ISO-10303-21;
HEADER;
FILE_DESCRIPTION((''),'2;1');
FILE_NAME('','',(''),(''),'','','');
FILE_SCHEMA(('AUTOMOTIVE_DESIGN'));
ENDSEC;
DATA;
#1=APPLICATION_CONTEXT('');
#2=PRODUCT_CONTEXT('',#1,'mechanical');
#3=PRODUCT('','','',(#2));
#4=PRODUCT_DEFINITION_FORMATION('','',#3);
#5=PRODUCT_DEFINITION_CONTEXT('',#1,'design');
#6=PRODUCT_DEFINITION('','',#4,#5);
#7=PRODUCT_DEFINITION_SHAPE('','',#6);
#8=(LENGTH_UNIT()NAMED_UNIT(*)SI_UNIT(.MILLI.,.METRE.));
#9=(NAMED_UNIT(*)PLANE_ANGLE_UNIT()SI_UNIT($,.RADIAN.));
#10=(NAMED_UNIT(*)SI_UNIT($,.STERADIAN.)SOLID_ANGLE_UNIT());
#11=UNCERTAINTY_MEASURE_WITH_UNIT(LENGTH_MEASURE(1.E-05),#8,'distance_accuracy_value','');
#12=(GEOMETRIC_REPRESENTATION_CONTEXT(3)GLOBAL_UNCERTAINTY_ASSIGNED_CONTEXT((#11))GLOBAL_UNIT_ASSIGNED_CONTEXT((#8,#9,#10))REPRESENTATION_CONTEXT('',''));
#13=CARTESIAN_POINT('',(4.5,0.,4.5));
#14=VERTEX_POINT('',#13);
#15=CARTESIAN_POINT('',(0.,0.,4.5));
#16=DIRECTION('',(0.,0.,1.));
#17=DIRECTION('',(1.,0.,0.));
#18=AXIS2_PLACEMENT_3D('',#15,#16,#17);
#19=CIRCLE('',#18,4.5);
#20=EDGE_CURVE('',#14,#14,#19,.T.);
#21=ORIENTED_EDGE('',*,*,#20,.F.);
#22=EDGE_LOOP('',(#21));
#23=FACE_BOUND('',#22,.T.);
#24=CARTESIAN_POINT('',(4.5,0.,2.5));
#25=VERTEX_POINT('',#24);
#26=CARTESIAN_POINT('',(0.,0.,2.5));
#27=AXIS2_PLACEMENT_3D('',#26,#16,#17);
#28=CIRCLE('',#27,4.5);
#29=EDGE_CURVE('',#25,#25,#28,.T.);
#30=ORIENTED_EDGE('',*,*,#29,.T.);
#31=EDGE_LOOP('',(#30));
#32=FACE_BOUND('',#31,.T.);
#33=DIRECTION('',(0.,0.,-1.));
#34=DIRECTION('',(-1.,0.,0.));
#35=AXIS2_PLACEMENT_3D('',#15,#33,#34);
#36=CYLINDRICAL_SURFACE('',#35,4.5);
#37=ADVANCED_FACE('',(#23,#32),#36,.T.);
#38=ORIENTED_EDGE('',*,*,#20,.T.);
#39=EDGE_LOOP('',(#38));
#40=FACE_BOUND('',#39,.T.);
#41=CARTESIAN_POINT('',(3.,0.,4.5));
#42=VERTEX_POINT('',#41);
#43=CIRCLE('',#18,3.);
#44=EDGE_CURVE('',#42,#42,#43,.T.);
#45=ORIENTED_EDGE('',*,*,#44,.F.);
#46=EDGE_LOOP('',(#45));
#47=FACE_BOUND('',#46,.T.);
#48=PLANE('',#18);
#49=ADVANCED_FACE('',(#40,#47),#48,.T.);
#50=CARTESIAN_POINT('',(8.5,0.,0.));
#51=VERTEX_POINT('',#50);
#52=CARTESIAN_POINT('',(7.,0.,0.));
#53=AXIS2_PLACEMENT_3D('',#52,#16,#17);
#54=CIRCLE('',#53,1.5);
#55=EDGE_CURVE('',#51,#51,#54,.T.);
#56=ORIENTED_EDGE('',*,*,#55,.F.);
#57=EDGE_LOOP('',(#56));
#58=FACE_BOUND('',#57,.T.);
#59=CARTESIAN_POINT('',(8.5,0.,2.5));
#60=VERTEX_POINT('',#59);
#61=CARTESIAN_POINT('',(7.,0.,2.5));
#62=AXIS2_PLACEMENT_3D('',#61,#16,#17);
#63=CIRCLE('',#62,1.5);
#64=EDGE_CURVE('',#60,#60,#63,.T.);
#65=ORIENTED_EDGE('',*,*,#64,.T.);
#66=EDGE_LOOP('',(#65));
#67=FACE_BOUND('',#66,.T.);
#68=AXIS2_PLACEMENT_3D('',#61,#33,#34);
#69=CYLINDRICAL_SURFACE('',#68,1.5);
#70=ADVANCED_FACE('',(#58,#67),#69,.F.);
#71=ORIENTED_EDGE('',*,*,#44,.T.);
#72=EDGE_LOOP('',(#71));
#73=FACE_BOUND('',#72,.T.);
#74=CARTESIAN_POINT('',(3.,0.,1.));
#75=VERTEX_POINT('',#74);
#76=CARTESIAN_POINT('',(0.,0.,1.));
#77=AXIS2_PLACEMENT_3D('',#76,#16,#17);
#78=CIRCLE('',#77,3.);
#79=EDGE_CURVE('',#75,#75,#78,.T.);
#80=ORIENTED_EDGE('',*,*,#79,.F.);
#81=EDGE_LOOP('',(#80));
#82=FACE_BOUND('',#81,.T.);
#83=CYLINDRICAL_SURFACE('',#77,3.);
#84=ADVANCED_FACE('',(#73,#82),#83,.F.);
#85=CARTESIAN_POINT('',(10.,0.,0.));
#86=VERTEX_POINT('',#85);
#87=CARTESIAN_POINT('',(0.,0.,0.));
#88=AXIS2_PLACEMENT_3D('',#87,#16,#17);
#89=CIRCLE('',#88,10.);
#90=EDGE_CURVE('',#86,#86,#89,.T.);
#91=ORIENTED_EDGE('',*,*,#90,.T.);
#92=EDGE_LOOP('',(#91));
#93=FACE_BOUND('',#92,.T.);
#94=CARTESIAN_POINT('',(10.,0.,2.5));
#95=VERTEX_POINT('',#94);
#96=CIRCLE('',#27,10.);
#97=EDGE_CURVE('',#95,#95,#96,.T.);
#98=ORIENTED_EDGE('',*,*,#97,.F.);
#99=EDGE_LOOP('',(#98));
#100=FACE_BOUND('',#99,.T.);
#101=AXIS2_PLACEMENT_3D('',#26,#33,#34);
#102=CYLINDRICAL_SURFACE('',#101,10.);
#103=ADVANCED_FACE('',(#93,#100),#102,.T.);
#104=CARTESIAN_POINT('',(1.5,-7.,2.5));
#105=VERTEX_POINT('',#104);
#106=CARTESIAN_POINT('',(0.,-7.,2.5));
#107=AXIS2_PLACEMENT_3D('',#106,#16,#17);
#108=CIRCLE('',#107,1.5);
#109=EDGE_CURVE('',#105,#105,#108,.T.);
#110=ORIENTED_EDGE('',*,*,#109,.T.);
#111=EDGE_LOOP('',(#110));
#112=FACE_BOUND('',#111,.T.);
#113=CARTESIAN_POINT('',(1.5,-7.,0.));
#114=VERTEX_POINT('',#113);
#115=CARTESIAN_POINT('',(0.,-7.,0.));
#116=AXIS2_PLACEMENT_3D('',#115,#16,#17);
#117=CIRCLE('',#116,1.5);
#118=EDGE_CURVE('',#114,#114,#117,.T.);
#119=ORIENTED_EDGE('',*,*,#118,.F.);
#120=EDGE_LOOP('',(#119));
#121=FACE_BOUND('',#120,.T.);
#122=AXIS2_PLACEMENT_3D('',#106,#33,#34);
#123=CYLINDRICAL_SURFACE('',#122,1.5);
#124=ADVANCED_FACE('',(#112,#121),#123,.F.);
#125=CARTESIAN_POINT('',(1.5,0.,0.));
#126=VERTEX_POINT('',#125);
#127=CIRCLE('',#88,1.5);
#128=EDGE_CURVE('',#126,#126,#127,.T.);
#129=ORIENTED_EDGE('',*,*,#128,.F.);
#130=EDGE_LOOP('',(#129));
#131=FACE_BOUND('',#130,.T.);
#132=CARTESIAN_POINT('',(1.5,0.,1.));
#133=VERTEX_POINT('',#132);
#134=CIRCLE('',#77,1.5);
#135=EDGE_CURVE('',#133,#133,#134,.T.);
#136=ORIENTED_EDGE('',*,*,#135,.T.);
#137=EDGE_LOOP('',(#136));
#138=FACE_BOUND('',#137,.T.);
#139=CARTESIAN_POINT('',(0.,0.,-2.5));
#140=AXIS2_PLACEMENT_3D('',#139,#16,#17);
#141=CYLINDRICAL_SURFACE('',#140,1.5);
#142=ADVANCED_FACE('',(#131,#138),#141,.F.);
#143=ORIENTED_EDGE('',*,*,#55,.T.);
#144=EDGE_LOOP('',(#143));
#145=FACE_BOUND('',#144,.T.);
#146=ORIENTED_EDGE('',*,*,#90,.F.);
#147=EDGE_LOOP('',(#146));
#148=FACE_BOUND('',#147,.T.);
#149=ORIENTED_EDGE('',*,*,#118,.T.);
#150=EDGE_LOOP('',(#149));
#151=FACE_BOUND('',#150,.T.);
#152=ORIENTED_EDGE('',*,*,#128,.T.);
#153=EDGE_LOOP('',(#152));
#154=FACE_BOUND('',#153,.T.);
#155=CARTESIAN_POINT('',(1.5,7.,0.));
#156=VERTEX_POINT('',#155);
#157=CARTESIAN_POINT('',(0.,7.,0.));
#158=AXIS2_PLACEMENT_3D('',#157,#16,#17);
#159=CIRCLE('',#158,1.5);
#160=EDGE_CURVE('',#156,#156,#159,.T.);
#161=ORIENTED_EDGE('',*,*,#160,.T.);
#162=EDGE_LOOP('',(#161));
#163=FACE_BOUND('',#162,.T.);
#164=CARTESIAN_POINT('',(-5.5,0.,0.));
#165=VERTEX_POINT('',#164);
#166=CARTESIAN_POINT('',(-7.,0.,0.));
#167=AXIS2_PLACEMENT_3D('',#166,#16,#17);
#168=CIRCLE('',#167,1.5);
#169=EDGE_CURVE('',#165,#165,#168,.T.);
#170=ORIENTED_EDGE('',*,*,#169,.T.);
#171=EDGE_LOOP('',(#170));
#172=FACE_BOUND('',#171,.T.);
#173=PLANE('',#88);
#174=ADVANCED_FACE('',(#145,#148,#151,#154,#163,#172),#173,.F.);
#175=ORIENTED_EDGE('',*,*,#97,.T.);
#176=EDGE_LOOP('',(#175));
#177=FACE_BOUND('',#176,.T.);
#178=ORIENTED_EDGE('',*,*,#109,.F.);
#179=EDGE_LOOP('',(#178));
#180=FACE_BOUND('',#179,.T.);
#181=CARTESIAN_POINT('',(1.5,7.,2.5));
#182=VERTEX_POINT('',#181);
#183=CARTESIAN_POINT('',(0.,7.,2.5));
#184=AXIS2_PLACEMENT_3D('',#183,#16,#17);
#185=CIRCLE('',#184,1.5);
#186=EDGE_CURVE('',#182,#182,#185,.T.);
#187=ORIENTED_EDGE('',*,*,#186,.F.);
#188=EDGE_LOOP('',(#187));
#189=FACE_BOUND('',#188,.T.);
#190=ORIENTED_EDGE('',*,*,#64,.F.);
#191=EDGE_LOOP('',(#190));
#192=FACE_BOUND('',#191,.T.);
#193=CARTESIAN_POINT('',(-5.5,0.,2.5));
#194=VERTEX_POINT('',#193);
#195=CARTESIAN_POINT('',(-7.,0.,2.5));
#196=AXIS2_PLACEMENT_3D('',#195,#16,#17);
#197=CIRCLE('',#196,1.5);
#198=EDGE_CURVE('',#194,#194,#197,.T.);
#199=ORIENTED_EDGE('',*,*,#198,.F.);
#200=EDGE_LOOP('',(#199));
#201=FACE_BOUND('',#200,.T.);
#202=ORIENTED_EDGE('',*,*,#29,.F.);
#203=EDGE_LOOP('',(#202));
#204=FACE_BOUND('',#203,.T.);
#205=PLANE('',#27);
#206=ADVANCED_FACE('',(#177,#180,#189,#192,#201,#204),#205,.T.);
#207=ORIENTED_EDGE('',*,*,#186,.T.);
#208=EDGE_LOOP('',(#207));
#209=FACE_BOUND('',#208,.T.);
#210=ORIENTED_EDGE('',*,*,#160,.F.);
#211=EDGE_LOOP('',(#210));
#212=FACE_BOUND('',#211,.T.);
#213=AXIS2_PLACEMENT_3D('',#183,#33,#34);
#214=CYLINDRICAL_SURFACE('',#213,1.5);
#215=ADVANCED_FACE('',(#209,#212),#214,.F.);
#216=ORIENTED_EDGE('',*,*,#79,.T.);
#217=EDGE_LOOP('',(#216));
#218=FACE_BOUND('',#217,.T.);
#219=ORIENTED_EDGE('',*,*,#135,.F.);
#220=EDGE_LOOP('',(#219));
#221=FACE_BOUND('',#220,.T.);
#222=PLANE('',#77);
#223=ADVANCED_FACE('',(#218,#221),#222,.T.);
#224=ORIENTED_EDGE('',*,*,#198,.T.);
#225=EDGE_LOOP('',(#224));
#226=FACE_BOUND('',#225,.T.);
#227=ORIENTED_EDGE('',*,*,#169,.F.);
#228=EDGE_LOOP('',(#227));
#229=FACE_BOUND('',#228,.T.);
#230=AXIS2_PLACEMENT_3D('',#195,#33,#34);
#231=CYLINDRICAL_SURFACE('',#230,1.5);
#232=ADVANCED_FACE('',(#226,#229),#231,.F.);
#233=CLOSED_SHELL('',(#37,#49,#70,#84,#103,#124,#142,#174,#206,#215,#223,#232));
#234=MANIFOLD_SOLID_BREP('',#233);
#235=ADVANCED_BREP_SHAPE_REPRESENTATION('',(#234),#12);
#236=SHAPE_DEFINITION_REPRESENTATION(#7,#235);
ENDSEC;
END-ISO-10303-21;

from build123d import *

# Parameters (mm, degrees)
SKETCH_1_R          = 10
SKETCH_1_R_2        = 1.5
EXTRUDE_1_DEPTH     = 2.5
SKETCH_2_R          = 4.5
EXTRUDE_2_DEPTH     = 2
SKETCH_3_R          = 3
CUT_EXTRUDE_1_DEPTH = 3.5
SKETCH_4_R          = 1.5
CUT_EXTRUDE_2_DEPTH = 3.5


with BuildPart() as part:
    # 草图1 → 凸台-拉伸1 (new body)
    with BuildSketch(Plane.XY):
        Circle(SKETCH_1_R)
        with Locations((0, 7)):
            Circle(SKETCH_1_R_2, mode=Mode.SUBTRACT)
        with Locations((0, -7)):
            Circle(SKETCH_1_R_2, mode=Mode.SUBTRACT)
        with Locations((-7, 0)):
            Circle(SKETCH_1_R_2, mode=Mode.SUBTRACT)
        with Locations((7, 0)):
            Circle(SKETCH_1_R_2, mode=Mode.SUBTRACT)
    extrude(amount=EXTRUDE_1_DEPTH)

    # 草图2 → 凸台-拉伸2 (add)
    with BuildSketch(Plane.XY.offset(2.5)):
        Circle(SKETCH_2_R)
    extrude(amount=EXTRUDE_2_DEPTH)

    # 草图3 → 切除-拉伸1 (cut)
    with BuildSketch(Plane.XY.offset(4.5)):
        Circle(SKETCH_3_R)
    extrude(amount=-CUT_EXTRUDE_1_DEPTH, mode=Mode.SUBTRACT)

    # 草图4 → 切除-拉伸2 (cut)
    with BuildSketch(Plane.XY.offset(1)):
        Circle(SKETCH_4_R)
    extrude(amount=-CUT_EXTRUDE_2_DEPTH, mode=Mode.SUBTRACT)


solid = part.part
